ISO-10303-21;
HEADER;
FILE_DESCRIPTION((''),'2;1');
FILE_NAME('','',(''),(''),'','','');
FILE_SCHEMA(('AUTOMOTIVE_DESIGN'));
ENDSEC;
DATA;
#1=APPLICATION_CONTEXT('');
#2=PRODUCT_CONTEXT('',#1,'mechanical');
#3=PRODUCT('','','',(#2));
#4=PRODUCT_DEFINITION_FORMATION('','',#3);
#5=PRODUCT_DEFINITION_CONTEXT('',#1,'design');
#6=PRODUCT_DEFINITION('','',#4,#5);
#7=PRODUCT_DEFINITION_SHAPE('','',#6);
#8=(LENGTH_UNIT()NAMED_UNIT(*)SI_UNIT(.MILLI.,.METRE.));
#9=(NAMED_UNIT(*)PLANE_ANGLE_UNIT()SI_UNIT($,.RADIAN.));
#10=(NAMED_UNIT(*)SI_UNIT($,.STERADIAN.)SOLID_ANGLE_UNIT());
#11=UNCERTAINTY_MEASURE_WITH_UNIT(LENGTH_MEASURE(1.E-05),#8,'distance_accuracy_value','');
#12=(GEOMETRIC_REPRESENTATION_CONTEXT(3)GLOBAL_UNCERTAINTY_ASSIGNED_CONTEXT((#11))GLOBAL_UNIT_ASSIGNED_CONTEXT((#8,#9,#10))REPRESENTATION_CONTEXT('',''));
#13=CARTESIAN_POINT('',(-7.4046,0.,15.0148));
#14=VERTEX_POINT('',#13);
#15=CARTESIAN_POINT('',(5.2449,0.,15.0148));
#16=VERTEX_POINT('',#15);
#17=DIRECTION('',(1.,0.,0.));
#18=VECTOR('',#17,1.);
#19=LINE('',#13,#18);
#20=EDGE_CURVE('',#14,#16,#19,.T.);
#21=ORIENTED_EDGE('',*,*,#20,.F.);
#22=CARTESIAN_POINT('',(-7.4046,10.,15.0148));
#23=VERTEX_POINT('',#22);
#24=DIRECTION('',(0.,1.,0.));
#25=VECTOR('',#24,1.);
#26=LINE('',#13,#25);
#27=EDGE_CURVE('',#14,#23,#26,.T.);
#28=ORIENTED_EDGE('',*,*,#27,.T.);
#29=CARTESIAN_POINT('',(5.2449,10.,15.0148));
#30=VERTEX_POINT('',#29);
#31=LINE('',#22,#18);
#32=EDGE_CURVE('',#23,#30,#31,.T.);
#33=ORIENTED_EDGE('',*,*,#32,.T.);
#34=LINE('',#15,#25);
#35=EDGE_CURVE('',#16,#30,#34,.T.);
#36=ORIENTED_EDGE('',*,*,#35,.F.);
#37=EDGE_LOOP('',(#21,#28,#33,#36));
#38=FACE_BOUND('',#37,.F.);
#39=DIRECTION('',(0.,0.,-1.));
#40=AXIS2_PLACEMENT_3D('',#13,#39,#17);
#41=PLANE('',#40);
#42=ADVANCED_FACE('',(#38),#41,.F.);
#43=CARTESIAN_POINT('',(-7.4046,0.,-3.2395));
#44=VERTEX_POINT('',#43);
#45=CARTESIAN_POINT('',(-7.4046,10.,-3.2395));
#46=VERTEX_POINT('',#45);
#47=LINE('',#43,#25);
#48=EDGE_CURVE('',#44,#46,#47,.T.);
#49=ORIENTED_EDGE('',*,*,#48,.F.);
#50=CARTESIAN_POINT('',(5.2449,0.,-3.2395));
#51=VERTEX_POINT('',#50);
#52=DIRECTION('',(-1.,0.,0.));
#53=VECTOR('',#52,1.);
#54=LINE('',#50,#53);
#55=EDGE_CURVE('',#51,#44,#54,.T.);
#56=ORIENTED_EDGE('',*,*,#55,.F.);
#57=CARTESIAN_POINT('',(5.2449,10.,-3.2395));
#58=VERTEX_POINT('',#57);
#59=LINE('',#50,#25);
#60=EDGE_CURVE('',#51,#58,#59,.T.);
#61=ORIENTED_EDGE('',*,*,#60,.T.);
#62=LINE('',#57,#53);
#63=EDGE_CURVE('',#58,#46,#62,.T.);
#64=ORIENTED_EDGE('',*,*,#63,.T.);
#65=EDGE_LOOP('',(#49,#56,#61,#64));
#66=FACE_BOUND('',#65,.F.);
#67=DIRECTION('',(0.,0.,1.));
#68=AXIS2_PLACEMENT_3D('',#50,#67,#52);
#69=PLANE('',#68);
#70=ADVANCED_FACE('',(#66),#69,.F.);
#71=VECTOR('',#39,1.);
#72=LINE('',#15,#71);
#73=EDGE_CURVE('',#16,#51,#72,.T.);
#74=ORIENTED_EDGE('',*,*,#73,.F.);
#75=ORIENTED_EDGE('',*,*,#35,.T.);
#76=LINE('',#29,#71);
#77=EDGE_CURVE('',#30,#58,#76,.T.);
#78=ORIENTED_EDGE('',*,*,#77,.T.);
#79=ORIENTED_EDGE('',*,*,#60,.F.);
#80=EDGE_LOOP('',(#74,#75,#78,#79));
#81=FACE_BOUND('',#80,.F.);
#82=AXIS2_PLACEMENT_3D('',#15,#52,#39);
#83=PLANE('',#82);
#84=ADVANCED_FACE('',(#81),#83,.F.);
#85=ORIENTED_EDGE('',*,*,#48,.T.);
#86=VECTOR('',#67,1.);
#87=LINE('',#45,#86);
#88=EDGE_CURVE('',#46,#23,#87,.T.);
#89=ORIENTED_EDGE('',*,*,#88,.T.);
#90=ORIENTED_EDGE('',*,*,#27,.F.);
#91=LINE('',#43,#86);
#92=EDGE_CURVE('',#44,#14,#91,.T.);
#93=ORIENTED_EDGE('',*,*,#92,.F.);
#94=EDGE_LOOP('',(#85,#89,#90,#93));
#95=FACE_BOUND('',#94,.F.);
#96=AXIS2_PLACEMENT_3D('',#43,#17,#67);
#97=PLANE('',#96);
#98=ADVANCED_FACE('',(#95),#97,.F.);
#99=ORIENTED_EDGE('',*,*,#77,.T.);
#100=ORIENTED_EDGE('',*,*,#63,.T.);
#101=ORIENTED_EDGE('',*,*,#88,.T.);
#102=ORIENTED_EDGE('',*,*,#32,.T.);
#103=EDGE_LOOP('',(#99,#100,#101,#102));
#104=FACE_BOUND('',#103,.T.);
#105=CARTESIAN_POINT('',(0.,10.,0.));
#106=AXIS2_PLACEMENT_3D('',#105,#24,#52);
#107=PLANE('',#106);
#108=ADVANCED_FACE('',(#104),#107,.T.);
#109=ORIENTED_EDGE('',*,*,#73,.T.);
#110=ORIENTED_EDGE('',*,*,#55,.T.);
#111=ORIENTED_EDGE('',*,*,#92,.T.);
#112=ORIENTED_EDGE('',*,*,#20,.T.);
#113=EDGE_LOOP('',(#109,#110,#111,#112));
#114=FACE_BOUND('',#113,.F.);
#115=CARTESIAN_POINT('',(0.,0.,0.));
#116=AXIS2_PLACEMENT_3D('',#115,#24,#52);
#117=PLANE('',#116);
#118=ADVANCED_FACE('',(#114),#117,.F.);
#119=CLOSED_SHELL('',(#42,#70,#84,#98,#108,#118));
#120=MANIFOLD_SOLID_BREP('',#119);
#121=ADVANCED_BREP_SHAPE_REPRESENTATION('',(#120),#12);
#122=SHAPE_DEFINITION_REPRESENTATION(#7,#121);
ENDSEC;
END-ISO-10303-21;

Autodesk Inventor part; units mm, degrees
ref_plane "YZ Plane" through (0, 0, 0) normal (1, 0, 0) x (0, 1, 0)
ref_plane "XZ Plane" through (0, 0, 0) normal (0, 1, 0) x (-1, 0, 0)
ref_plane "XY Plane" through (0, 0, 0) normal (0, 0, 1) x (1, 0, 0)
sketch "草圖1" plane through (0, 0, 0) normal (0, 1, 0) x (-1, 0, 0)
  line L0 (7.4046, 15.0148) -> (-5.2449, 15.0148)
  line L1 (-5.2449, 15.0148) -> (-5.2449, -3.2395)
  line L2 (-5.2449, -3.2395) -> (7.4046, -3.2395)
  line L3 (7.4046, -3.2395) -> (7.4046, 15.0148)
  point P0 (0, 0)
  dimension "d0" = 18.2543
  dimension "d1" = 12.6495
extrude "擠出1" add sketch "草圖1" along normal blind 10
